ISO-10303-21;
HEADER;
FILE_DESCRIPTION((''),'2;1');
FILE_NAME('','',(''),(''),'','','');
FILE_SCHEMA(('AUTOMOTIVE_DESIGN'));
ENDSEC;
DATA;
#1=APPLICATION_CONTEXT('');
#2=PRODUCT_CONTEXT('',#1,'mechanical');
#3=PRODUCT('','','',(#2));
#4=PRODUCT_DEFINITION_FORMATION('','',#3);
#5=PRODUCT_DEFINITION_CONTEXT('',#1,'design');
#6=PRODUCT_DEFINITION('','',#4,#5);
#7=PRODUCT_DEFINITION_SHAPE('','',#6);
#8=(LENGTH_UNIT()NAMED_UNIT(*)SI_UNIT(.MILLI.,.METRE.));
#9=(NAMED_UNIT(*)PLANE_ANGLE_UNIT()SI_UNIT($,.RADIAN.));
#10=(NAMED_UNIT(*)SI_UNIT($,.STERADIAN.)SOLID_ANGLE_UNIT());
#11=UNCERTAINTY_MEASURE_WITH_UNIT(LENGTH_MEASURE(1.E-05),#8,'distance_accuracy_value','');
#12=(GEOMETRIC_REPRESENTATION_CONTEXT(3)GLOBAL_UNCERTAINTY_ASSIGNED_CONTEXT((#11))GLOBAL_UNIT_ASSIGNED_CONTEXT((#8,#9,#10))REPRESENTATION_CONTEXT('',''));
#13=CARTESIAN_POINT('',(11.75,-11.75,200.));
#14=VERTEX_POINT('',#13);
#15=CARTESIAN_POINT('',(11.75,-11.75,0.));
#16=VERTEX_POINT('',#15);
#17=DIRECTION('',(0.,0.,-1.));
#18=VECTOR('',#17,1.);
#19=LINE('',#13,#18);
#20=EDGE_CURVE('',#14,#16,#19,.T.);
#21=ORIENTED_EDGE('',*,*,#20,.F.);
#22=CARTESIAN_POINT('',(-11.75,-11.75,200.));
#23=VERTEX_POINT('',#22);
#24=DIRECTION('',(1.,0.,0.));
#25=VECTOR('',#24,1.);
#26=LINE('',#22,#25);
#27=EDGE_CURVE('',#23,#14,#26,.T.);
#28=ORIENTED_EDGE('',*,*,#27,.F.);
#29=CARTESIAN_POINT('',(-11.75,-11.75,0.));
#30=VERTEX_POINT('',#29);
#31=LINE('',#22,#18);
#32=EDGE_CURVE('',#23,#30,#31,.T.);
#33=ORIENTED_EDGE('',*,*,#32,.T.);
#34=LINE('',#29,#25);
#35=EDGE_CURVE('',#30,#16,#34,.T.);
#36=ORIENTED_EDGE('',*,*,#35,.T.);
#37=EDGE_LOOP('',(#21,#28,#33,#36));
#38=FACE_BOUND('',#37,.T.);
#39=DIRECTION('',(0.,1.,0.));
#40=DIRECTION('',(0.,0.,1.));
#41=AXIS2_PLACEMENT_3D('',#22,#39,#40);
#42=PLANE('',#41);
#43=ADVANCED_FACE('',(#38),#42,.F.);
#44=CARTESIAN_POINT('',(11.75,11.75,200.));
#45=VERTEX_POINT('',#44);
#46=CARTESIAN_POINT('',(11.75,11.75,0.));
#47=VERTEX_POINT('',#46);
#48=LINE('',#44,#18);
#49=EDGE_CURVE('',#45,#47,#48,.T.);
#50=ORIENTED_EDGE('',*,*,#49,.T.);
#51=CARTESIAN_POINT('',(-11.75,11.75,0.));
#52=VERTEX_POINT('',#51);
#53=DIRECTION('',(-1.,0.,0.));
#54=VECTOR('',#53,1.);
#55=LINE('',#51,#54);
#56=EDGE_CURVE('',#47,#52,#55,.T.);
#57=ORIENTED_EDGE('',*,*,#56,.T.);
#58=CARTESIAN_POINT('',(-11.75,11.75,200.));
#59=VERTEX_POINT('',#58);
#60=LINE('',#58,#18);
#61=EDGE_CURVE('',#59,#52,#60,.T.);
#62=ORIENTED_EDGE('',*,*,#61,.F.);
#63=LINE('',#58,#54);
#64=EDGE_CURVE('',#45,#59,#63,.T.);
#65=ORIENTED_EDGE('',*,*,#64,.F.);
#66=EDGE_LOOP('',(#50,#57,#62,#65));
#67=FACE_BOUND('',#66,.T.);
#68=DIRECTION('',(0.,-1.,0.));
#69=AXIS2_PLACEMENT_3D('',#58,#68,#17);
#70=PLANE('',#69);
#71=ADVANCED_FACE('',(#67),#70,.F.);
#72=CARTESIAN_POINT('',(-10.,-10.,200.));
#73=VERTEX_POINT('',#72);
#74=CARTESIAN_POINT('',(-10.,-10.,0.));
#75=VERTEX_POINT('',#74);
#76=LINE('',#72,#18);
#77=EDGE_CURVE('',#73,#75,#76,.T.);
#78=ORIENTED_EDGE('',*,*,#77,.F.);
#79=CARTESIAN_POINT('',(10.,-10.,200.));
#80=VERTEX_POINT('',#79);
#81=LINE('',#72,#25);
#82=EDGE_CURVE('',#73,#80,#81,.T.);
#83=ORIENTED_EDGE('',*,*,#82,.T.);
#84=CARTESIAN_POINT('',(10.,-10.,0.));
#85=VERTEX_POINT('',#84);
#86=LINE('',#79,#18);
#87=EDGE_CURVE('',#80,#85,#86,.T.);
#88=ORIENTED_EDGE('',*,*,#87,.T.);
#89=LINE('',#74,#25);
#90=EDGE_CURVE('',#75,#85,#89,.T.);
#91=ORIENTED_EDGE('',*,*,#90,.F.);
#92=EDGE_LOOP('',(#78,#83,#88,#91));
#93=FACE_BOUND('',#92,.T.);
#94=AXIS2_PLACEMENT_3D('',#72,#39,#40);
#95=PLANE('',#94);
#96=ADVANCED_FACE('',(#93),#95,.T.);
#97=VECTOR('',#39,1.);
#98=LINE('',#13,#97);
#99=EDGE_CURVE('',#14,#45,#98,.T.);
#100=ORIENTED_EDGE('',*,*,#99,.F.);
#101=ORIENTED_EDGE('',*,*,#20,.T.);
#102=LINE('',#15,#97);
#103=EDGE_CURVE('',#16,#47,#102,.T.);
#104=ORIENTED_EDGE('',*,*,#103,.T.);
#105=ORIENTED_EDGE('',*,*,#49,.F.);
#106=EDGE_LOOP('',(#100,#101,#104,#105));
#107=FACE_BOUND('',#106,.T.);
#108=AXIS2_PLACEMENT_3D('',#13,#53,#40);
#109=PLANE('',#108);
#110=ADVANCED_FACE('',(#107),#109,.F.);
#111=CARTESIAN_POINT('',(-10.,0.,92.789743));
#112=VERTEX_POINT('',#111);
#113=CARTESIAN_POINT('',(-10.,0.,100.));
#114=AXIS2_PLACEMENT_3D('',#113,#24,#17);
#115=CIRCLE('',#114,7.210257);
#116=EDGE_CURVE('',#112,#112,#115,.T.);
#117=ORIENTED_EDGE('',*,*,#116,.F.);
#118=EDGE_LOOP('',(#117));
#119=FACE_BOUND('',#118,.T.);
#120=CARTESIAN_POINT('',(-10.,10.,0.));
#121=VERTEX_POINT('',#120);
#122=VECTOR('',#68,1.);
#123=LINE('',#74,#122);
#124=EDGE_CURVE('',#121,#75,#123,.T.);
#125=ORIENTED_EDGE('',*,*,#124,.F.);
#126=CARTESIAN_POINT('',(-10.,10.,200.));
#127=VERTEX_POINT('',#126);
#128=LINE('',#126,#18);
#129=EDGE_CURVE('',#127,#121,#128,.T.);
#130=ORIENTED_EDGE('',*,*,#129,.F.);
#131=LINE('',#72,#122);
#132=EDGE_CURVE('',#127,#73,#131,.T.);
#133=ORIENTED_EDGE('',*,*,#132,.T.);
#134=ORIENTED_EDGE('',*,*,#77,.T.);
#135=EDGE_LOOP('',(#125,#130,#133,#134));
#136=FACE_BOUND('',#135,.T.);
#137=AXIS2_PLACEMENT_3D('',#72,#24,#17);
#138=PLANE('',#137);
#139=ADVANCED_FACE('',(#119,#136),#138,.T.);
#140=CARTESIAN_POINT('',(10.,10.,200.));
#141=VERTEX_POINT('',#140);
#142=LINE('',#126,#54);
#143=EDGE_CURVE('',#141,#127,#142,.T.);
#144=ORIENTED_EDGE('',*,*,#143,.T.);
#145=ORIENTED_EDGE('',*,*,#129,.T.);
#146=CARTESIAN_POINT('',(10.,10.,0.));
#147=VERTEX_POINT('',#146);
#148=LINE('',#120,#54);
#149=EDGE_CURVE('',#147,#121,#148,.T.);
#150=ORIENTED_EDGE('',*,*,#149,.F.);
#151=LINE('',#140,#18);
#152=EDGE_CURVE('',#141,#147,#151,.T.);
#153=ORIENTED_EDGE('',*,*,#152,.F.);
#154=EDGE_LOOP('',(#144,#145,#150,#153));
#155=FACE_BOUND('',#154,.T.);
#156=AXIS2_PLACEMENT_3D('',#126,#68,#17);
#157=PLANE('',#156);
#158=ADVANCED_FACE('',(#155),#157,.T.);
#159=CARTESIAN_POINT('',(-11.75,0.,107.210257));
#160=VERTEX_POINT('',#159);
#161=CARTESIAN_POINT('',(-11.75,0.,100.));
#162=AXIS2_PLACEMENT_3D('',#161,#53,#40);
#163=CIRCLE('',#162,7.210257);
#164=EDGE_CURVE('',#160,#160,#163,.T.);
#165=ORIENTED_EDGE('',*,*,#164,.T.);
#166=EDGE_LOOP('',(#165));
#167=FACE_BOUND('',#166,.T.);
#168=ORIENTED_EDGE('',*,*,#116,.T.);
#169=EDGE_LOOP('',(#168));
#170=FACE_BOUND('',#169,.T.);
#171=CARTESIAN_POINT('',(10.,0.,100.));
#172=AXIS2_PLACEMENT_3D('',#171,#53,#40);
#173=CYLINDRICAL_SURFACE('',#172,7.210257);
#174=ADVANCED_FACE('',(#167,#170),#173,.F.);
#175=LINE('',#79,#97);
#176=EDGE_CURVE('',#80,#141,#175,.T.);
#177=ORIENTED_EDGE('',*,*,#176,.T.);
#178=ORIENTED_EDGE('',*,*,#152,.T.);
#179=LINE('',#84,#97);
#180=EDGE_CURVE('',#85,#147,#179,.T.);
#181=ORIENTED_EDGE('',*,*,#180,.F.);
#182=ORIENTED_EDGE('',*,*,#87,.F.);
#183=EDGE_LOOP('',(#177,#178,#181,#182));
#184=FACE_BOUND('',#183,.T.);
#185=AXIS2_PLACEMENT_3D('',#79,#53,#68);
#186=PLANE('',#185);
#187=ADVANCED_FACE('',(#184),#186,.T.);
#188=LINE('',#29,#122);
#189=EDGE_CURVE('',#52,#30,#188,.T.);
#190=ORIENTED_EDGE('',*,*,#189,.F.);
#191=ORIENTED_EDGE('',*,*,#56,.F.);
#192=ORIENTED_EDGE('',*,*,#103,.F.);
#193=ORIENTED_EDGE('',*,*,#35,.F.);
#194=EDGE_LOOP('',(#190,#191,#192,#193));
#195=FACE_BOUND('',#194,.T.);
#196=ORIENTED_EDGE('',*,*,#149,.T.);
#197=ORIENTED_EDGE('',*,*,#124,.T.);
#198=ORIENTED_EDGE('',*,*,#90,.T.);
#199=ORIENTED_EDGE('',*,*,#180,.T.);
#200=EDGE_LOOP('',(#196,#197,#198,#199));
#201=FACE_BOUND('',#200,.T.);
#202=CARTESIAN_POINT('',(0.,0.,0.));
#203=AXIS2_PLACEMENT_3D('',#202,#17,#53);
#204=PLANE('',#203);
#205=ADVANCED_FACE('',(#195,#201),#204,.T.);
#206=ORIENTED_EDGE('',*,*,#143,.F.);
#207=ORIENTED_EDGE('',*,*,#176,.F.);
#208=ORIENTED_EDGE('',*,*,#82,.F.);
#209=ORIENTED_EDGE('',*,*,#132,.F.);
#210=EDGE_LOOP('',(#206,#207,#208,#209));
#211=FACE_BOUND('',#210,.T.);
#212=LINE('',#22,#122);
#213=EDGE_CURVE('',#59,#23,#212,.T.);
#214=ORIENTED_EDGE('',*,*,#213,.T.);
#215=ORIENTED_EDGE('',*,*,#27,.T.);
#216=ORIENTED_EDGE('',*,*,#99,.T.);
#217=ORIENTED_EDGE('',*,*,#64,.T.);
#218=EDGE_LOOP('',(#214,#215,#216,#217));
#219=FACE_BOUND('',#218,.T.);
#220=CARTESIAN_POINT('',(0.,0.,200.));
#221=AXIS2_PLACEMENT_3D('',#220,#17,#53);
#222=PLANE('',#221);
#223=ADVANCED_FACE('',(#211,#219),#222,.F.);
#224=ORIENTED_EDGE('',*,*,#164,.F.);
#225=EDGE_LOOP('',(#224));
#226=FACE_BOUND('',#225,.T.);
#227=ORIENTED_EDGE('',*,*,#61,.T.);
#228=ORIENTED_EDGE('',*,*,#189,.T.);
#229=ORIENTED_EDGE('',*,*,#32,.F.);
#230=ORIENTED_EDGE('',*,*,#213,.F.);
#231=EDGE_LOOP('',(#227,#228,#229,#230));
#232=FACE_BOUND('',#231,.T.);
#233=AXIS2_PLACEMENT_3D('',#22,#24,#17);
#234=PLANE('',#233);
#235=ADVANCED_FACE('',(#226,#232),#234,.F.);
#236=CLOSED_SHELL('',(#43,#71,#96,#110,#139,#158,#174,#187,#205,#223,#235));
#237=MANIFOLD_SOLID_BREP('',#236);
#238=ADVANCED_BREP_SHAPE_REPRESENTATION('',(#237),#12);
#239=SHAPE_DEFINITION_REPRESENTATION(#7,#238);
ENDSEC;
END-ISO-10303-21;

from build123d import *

# Parameters (mm, degrees)
ESQUISSE1_W             = 23.5
ESQUISSE1_H             = 23.5
ESQUISSE1_W_2           = 20
ESQUISSE1_H_2           = 20
BOSS_EXTRU_1_DEPTH      = 200
ESQUISSE2_R             = 7.210256751
ENL_V_MAT_EXTRU_1_DEPTH = 1.75


with BuildPart() as part:
    # Esquisse1 → Boss.-Extru.1 (new body)
    with BuildSketch(Plane.XY):
        Rectangle(ESQUISSE1_W, ESQUISSE1_H)
        Rectangle(ESQUISSE1_W_2, ESQUISSE1_H_2, mode=Mode.SUBTRACT)
    extrude(amount=BOSS_EXTRU_1_DEPTH)

    # Esquisse2 → Enlèv. mat.-Extru.1 (cut)
    with BuildSketch(Plane.ZY.offset(11.75)):
        with Locations((100, 0)):
            Circle(ESQUISSE2_R)
    extrude(amount=-ENL_V_MAT_EXTRU_1_DEPTH, mode=Mode.SUBTRACT)


solid = part.part
